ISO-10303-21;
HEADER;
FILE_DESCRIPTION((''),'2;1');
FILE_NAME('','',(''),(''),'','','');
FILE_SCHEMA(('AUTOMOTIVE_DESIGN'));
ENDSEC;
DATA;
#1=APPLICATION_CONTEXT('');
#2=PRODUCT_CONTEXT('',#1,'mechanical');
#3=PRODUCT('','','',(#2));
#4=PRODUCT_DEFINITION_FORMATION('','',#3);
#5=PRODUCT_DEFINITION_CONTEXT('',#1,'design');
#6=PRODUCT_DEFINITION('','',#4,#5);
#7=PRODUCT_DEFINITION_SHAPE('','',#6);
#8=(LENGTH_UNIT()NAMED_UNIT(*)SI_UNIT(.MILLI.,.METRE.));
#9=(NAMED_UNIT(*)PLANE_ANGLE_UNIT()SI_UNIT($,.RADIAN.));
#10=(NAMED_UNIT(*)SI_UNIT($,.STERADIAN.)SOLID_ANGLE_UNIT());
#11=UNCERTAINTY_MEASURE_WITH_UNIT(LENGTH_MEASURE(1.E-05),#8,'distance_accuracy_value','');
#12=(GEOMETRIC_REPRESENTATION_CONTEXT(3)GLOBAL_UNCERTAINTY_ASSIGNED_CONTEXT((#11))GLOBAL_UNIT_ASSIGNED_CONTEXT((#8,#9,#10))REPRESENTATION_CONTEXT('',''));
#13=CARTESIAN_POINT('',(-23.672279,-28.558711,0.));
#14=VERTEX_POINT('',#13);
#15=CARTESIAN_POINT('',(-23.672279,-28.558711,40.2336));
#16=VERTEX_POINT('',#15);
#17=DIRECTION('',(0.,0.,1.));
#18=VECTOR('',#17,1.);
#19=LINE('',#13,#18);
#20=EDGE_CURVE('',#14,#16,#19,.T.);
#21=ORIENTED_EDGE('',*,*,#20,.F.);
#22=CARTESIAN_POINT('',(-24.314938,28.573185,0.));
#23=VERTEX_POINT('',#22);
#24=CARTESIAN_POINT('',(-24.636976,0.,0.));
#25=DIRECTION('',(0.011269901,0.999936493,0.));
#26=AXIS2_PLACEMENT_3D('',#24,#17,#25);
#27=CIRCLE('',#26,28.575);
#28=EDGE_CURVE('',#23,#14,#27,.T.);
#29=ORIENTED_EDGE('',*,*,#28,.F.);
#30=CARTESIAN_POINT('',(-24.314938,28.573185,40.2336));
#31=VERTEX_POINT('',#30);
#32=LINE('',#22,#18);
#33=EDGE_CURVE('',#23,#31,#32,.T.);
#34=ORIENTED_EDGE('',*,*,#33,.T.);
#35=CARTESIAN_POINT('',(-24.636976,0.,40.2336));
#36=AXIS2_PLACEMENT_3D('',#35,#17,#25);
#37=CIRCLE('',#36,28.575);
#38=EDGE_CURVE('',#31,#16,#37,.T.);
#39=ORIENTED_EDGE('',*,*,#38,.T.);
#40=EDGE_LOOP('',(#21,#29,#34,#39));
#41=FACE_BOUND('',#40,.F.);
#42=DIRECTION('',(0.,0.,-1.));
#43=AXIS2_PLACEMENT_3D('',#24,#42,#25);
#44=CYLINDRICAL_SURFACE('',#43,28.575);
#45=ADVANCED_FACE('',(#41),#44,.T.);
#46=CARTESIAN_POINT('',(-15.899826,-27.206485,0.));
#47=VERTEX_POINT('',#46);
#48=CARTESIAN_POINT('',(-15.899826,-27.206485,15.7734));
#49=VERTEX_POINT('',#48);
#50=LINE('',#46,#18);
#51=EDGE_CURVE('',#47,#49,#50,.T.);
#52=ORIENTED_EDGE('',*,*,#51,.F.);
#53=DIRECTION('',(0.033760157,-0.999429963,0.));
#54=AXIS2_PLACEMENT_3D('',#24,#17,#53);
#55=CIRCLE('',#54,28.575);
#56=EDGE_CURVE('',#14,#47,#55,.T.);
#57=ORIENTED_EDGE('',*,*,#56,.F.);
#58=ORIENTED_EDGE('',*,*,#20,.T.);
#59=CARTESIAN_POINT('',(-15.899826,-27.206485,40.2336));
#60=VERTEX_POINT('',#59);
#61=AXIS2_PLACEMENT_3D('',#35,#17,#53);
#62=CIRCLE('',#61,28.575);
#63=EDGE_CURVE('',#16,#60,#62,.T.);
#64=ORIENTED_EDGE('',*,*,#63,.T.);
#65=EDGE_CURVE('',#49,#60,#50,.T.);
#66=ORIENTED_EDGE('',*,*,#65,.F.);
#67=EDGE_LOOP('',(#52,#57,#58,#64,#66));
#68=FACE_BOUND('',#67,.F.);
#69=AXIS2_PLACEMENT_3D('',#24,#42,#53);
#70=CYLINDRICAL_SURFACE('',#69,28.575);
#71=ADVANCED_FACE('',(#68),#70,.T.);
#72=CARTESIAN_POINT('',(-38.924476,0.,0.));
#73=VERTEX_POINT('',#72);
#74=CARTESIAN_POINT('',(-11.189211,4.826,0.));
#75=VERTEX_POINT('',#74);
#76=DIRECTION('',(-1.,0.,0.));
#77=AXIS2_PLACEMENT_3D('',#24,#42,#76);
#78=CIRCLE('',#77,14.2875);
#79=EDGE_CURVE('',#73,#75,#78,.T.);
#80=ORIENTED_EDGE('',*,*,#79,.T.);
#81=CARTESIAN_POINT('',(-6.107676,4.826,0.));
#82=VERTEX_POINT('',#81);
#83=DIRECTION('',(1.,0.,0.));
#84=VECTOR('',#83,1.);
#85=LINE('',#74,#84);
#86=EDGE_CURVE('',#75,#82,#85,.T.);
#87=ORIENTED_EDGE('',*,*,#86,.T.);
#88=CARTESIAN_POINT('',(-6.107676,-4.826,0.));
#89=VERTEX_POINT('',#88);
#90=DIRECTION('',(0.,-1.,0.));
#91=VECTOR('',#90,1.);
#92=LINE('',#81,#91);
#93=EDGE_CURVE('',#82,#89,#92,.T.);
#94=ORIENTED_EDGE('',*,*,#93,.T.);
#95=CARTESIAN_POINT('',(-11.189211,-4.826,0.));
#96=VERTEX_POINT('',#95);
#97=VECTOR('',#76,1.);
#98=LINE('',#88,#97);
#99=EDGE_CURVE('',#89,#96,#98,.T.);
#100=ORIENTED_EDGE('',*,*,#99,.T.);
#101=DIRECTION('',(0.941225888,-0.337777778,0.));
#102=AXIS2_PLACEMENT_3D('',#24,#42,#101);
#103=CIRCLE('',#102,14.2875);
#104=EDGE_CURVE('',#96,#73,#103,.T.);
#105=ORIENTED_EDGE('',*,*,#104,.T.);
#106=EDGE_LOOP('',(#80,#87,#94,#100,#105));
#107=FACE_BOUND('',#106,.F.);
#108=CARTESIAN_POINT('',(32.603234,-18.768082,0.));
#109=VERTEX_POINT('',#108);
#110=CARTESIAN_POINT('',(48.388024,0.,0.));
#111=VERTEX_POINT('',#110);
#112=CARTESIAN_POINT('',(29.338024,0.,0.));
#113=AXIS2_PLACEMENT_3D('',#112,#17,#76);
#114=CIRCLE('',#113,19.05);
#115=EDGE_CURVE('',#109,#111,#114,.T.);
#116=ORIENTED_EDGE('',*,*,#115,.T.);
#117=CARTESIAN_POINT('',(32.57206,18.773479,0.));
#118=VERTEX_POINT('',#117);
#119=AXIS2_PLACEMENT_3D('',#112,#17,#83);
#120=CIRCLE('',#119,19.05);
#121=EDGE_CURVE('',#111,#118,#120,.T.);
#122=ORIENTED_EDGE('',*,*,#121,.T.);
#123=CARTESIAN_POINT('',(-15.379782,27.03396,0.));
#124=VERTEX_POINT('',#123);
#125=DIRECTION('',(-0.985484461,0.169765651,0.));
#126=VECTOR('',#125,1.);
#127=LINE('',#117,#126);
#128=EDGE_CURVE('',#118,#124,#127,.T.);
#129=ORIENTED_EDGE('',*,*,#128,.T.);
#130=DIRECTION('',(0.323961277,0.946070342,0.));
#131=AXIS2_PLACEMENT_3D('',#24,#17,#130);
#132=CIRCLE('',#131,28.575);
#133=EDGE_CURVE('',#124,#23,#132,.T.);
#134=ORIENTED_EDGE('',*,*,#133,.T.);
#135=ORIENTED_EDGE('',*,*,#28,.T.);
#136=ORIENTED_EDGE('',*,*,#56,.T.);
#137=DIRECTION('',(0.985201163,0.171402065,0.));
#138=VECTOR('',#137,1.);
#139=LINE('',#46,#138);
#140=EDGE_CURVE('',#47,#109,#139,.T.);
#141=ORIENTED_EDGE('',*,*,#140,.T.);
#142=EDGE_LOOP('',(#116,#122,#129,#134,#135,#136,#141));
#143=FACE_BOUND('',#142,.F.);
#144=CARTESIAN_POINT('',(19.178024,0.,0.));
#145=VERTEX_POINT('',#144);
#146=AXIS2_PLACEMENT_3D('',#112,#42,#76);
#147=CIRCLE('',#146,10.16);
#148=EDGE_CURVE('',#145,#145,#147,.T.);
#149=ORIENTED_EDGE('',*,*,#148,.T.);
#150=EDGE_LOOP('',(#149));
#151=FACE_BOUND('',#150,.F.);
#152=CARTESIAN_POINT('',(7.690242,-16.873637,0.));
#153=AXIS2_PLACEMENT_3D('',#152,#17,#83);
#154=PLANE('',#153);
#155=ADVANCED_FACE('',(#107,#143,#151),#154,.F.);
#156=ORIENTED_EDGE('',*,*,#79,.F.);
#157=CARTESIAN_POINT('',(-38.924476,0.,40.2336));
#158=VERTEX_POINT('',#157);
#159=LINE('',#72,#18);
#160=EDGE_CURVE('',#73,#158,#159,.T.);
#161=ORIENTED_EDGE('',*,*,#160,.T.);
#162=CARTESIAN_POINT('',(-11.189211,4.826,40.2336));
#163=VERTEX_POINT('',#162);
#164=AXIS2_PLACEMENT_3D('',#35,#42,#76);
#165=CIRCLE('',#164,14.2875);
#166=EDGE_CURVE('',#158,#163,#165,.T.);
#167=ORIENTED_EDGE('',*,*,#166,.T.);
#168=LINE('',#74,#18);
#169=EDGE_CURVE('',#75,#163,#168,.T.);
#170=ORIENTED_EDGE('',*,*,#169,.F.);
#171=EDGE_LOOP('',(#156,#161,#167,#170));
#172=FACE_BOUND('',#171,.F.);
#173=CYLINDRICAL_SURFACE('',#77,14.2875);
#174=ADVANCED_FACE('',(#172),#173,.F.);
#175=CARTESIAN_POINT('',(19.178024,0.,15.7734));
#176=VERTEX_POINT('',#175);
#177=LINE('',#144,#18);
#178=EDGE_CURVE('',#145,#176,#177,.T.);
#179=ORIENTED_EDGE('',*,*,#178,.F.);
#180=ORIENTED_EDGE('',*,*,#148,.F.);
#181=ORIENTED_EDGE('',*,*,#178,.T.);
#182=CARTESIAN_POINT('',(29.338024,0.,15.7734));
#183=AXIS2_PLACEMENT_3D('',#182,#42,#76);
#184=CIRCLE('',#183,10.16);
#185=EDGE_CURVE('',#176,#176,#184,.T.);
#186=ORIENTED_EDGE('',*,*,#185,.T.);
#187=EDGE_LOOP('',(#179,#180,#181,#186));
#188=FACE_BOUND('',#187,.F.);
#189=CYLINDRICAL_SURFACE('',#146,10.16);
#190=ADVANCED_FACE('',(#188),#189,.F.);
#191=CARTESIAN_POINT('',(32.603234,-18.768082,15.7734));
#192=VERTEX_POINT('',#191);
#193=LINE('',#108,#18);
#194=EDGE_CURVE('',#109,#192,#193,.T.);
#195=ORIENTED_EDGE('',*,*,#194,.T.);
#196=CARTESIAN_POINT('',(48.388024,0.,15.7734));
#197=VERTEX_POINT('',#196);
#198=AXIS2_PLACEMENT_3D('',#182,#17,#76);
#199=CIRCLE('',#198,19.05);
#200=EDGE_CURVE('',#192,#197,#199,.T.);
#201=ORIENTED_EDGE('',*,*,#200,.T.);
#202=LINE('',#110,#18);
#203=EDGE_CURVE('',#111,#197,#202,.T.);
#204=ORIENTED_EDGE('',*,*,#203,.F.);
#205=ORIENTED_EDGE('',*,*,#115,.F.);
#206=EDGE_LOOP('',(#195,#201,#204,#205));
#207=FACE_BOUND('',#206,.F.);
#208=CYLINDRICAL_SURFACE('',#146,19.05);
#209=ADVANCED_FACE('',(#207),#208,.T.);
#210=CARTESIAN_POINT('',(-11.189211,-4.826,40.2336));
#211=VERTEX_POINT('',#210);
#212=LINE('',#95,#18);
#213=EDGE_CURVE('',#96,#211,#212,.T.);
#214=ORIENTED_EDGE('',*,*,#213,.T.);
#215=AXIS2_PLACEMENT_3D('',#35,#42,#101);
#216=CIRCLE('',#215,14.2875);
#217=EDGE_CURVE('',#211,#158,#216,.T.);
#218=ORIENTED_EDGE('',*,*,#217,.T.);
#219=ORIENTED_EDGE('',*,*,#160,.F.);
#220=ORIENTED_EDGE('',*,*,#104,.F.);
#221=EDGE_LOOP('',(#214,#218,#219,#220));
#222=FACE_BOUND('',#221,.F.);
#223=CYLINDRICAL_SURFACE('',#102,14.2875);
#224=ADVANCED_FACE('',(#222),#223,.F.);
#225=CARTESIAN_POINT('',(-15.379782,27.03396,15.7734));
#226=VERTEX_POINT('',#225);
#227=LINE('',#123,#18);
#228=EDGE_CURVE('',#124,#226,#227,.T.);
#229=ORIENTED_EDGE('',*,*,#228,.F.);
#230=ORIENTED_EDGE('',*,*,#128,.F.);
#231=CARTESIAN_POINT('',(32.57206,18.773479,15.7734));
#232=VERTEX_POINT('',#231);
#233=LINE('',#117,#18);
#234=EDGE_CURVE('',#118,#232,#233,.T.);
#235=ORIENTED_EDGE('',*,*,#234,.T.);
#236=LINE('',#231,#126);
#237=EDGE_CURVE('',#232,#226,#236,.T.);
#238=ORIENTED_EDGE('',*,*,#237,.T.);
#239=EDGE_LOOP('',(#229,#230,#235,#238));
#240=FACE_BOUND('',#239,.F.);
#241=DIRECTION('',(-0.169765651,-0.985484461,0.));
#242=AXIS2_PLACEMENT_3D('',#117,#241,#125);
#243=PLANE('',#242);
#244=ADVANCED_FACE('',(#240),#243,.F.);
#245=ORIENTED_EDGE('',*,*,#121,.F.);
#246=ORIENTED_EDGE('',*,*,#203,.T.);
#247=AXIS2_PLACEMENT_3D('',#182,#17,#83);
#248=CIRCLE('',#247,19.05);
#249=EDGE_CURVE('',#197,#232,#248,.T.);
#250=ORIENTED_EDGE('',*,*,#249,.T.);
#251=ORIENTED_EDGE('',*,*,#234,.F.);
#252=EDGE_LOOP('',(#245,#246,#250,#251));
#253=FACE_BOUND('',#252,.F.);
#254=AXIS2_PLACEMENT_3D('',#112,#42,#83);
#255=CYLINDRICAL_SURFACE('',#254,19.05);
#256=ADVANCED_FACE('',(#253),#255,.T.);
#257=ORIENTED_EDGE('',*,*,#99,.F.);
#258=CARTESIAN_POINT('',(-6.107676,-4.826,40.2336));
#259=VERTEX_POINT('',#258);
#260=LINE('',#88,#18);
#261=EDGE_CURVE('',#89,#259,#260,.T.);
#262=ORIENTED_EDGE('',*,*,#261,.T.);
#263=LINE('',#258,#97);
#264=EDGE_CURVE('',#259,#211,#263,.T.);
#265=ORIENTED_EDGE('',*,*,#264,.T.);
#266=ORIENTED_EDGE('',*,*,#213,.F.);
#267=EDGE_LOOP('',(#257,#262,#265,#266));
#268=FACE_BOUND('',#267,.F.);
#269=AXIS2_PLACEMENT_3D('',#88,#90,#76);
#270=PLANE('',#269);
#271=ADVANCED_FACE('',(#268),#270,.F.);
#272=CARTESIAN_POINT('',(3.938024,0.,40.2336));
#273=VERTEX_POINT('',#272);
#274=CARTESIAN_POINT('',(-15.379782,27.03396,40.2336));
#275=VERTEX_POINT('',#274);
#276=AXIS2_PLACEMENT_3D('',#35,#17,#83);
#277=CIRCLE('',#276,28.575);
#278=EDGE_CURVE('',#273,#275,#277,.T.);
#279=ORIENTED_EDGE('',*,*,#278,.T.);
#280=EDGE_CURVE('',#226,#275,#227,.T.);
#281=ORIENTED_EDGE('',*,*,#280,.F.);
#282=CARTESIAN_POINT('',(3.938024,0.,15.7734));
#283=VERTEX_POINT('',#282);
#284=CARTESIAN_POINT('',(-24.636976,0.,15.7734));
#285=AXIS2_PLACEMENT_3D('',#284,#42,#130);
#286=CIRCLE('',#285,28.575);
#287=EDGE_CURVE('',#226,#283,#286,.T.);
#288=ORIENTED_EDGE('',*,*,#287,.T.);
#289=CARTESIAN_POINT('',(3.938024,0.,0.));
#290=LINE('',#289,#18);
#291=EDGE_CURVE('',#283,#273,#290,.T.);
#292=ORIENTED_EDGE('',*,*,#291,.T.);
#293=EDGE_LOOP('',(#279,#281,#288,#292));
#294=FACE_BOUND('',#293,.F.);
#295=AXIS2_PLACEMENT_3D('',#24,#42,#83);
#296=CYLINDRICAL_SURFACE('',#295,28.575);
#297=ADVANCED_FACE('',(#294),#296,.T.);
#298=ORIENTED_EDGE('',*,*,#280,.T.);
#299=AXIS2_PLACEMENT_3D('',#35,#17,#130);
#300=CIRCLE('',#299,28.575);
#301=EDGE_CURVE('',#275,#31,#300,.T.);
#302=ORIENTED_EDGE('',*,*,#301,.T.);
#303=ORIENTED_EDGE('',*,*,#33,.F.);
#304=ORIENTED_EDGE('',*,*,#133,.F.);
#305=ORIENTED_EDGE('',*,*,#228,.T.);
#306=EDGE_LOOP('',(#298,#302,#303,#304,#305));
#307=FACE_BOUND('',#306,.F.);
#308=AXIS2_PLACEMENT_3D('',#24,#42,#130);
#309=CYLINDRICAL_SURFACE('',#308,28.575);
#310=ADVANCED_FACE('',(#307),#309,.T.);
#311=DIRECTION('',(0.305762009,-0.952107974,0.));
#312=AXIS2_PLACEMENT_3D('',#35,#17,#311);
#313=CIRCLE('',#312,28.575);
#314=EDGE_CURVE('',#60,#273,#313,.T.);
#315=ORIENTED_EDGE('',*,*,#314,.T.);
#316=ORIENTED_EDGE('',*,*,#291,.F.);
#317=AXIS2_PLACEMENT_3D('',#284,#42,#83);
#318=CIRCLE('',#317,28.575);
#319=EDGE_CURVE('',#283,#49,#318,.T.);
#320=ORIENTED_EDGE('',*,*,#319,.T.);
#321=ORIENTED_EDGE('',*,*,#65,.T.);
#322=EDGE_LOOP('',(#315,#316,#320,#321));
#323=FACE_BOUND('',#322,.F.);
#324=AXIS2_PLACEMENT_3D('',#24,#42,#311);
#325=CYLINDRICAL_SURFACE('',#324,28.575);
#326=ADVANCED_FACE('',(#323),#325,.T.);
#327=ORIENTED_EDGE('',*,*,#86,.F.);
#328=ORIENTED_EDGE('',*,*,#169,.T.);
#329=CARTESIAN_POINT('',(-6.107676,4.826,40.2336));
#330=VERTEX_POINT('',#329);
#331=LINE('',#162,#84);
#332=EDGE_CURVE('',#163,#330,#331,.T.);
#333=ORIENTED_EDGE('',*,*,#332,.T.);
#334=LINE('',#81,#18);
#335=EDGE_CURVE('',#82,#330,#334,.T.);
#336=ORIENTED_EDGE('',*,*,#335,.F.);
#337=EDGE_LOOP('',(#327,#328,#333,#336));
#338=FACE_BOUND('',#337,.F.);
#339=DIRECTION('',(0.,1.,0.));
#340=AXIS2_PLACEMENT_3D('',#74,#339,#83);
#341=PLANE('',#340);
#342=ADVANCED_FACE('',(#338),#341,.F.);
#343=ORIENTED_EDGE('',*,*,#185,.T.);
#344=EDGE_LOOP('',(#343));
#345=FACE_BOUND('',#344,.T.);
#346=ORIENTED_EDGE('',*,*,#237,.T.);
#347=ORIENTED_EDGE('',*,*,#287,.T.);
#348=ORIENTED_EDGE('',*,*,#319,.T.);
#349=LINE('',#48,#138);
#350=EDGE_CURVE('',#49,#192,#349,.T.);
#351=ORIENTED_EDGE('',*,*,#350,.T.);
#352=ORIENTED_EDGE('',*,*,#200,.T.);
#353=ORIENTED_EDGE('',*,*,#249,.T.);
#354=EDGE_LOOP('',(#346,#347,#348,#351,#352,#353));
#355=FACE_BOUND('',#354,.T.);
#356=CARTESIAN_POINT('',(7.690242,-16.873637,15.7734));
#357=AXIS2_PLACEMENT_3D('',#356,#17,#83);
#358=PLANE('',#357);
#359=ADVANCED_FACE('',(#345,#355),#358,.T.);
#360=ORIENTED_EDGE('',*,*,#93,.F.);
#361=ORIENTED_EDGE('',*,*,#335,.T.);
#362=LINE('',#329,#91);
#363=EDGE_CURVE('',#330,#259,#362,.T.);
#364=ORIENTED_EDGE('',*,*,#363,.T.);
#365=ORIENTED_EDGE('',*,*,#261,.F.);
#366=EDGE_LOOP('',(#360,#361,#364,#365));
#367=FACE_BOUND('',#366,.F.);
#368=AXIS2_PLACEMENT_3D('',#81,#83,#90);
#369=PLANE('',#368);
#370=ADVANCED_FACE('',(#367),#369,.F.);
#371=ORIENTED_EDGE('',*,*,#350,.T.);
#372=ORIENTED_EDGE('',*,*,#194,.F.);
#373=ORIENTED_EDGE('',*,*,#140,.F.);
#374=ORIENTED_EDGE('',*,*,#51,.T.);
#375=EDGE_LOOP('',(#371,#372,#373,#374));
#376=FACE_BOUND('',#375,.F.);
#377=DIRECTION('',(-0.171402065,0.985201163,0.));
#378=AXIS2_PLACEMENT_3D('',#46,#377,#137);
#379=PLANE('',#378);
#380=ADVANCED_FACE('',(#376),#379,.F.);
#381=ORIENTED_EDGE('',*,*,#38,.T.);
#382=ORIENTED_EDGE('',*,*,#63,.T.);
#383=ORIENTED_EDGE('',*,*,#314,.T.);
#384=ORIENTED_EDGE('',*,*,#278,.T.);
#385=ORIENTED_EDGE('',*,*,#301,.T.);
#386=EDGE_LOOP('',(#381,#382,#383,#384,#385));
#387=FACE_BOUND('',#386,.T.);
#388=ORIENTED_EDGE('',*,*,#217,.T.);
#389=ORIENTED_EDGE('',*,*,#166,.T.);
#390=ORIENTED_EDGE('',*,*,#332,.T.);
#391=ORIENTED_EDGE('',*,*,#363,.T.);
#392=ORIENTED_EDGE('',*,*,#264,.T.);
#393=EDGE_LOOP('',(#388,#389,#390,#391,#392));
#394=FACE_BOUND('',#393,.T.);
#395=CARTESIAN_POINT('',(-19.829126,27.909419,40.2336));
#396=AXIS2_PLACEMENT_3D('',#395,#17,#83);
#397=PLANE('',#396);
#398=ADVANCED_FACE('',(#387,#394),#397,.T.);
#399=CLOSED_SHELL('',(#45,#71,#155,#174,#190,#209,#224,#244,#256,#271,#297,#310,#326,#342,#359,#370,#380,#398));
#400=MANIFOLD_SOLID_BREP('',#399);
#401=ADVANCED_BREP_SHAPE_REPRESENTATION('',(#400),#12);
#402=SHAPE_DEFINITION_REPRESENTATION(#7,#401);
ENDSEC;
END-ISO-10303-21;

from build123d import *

# Parameters (mm, degrees)
F1_DEPTH = 40.2336
F2_DEPTH = 15.7734


with BuildPart() as f1:
    # F0 (on Top) → F1 (new body)
    with BuildSketch(Plane.XY):
        with BuildLine():
            Line((-24.3149382208, 28.5731852775), (-15.3797821546, 27.0339600099))
            ThreePointArc((-15.3797821546, 27.0339600099), (-19.7859221681, 28.160218487), (-24.3149382208, 28.5731852775))
        make_face()
        with BuildLine():
            ThreePointArc((-23.6722791381, -28.5587112045), (-19.7391616232, -28.1521232393), (-15.899826244, -27.2064853569))
            Line((-15.899826244, -27.2064853569), (-23.6722791381, -28.5587112045))
        make_face()
        with BuildLine():
            ThreePointArc((-15.899826244, -27.2064853569), (-1.5480749608, -16.8354771403), (3.9380243625, 0))
            ThreePointArc((3.9380243625, 0), (-1.3877291038, 16.6133428488), (-15.3797821546, 27.0339600099))
            Line((-15.3797821546, 27.0339600099), (-24.3149382208, 28.5731852775))
            ThreePointArc((-24.3149382208, 28.5731852775), (-53.2101679679, -0.3214110279), (-23.6722791381, -28.5587112045))
            Line((-23.6722791381, -28.5587112045), (-15.899826244, -27.2064853569))
        make_face()
        with BuildLine():
            ThreePointArc((-11.1892107582, -4.826), (-27.0862322121, -14.0760007986), (-38.9244756375, 0))
            ThreePointArc((-38.9244756375, 0), (-27.0862322121, 14.0760007986), (-11.1892107582, 4.826))
            Line((-11.1892107582, 4.826), (-6.1076756375, 4.826))
            Line((-6.1076756375, 4.826), (-6.1076756375, 0))
            Line((-6.1076756375, 0), (-6.1076756375, -4.826))
            Line((-6.1076756375, -4.826), (-11.1892107582, -4.826))
        make_face(mode=Mode.SUBTRACT)
    extrude(amount=F1_DEPTH)

    # F0 (on Top) → F2 (join)
    with BuildSketch(Plane.XY):
        with BuildLine():
            Line((10.2880243625, 0), (3.9380243625, 0))
            ThreePointArc((3.9380243625, 0), (-1.5480749608, -16.8354771403), (-15.899826244, -27.2064853569))
            Line((-15.899826244, -27.2064853569), (32.6032337053, -18.7680821595))
            ThreePointArc((32.6032337053, -18.7680821595), (17.0762899416, -14.579175868), (10.2880243625, 0))
        make_face()
        with BuildLine():
            ThreePointArc((-15.3797821546, 27.0339600099), (-1.3877291038, 16.6133428488), (3.9380243625, 0))
            Line((3.9380243625, 0), (10.2880243625, 0))
            ThreePointArc((10.2880243625, 0), (17.0641879423, 14.5689889674), (32.5720600088, 18.7734789913))
            Line((32.5720600088, 18.7734789913), (-15.3797821546, 27.0339600099))
        make_face()
        with BuildLine():
            ThreePointArc((32.5720600088, 18.7734789913), (17.0641879423, 14.5689889674), (10.2880243625, 0))
            ThreePointArc((10.2880243625, 0), (17.0762899416, -14.579175868), (32.6032337053, -18.7680821595))
            ThreePointArc((32.6032337053, -18.7680821595), (43.9172002305, -12.2617344209), (48.3880243625, 0))
            ThreePointArc((48.3880243625, 0), (43.9070133298, 12.2738364202), (32.5720600088, 18.7734789913))
        make_face()
        with BuildLine():
            ThreePointArc((39.4980243625, 0), (29.3380243625, -10.16), (19.1780243625, 0))
            ThreePointArc((19.1780243625, 0), (29.3380243625, 10.16), (39.4980243625, 0))
        make_face(mode=Mode.SUBTRACT)
    extrude(amount=F2_DEPTH)


solid = f1.part
